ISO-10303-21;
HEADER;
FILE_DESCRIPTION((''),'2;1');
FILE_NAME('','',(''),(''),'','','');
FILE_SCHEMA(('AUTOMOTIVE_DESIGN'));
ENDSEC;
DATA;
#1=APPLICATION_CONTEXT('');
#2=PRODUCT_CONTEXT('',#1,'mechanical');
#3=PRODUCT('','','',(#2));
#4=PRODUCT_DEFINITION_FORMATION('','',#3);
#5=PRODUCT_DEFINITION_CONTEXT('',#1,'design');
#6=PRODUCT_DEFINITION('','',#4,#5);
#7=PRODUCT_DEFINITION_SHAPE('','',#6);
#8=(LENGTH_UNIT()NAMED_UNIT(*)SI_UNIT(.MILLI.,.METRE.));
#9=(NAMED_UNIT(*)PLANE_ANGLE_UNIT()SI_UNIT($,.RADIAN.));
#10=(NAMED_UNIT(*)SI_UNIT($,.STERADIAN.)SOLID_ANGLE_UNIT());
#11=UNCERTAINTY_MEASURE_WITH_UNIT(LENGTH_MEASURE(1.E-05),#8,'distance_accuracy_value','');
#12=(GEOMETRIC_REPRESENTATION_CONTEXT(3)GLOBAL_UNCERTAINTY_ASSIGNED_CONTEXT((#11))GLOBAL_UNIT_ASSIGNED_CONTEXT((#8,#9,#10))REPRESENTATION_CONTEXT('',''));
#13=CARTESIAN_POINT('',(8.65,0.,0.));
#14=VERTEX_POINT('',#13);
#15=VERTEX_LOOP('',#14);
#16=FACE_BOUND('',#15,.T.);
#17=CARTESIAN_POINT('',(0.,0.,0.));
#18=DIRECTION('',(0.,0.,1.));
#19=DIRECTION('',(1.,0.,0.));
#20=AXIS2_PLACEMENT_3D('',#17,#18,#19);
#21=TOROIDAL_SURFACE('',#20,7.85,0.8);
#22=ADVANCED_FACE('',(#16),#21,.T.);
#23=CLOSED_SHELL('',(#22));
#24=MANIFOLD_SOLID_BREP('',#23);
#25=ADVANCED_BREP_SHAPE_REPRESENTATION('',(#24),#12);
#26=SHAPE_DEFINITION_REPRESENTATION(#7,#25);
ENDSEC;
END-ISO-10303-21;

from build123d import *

# Parameters (mm, degrees)
SKETCH1_R = 0.8


with BuildPart() as part:
    # Sketch1 → Revolve1 (revolve)
    with BuildSketch(Plane(origin=(0, 0, 0), x_dir=(0, 0, -1), z_dir=(1, 0, 0)), mode=Mode.PRIVATE) as revolve1_sk:
        with Locations((0, 7.85)):
            Circle(SKETCH1_R)
    revolve(revolve1_sk.sketch.rotate(Axis((0, 0, 0.88), (0, 0, -1)), 90), axis=Axis((0, 0, 0.88), (0, 0, -1)))


solid = part.part
